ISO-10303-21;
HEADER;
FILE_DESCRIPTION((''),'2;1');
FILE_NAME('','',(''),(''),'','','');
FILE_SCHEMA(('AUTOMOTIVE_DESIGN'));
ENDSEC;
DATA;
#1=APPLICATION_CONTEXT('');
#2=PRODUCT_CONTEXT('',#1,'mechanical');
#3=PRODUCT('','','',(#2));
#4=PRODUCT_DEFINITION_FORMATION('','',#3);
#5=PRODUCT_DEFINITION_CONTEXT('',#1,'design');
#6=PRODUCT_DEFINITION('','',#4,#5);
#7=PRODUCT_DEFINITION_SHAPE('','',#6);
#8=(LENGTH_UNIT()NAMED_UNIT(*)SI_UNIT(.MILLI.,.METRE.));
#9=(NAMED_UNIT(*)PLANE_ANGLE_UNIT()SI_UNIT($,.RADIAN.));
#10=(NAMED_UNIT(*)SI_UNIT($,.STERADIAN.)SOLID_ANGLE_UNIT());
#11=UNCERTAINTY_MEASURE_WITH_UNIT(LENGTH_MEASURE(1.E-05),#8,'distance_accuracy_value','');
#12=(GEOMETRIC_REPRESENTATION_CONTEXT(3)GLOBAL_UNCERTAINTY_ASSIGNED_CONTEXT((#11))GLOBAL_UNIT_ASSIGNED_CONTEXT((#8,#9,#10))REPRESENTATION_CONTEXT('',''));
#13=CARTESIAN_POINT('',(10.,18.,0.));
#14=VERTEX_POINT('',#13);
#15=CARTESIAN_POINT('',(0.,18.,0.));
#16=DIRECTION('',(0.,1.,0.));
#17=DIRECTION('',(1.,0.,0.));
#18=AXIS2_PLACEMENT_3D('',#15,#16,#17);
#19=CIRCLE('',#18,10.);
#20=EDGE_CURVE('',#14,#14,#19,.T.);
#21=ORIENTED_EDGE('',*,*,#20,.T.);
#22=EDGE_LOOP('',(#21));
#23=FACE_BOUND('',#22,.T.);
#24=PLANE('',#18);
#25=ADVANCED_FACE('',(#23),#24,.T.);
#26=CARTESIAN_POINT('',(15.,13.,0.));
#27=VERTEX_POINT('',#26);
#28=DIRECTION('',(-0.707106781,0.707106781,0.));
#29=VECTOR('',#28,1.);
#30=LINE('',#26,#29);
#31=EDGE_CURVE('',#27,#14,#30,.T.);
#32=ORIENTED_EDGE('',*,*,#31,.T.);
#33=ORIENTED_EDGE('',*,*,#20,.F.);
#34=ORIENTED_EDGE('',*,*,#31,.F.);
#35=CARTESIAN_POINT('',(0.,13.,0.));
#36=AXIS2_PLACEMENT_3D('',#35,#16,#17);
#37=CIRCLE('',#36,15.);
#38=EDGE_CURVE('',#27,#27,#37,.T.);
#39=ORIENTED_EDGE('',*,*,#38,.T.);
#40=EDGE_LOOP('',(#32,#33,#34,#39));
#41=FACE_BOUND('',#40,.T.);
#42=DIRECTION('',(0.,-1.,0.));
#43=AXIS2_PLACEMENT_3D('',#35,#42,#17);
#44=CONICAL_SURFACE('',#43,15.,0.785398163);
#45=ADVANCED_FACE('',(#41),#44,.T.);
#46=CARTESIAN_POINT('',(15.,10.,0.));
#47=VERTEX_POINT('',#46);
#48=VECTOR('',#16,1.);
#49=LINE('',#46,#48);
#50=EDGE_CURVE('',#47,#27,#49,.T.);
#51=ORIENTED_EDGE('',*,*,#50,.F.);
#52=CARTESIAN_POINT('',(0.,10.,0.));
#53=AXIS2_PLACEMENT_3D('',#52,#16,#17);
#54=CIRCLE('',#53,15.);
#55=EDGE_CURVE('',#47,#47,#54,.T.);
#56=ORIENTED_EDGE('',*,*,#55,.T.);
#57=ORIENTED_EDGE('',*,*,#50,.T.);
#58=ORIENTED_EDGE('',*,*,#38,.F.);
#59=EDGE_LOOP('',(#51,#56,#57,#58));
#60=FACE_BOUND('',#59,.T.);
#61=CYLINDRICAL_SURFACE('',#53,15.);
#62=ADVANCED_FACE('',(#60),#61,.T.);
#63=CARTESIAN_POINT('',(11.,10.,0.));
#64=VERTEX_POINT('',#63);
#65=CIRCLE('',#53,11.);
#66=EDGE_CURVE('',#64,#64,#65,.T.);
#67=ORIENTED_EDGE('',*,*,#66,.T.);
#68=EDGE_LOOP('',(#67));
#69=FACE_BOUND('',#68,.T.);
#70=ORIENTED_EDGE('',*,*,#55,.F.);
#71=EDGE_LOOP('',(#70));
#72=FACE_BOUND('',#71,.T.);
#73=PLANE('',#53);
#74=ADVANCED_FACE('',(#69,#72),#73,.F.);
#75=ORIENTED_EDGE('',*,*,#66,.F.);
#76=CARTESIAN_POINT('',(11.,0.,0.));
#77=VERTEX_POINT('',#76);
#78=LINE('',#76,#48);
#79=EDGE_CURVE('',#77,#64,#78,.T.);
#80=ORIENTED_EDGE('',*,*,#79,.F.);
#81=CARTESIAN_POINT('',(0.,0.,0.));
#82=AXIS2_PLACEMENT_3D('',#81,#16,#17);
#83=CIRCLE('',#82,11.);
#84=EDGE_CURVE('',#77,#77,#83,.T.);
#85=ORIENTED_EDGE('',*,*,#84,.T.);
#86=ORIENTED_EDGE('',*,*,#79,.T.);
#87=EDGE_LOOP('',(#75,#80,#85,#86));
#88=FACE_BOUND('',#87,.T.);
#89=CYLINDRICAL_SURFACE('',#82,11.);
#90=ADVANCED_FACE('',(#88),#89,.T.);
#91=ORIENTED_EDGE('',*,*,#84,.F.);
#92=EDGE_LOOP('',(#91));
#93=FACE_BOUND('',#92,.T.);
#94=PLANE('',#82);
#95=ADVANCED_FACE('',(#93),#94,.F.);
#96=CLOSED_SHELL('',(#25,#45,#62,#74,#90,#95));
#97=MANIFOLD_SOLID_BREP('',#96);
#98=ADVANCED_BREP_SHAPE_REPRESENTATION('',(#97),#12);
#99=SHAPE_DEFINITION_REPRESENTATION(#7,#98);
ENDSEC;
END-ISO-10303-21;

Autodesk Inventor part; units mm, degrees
ref_plane "YZ Plane" through (0, 0, 0) normal (1, 0, 0) x (0, 1, 0)
ref_plane "XZ Plane" through (0, 0, 0) normal (0, 1, 0) x (-1, 0, 0)
ref_plane "XY Plane" through (0, 0, 0) normal (0, 0, 1) x (1, 0, 0)
sketch "Sketch1" plane through (0, 0, 0) normal (0, 0, 1) x (1, 0, 0)
  line L0 (0, 0) -> (0, 23.6158)
  line L1 (0, 0) -> (11, 0)
  line L2 (11, 0) -> (11, 10)
  line L3 (11, 10) -> (15, 10)
  line L4 (15, 10) -> (15, 13)
  line L5 (15, 13) -> (10, 18)
  line L6 (10, 18) -> (0, 18)
  dimension "d0" = 45
  dimension "d1" = 22
  dimension "d2" = 30
  dimension "d3" = 10
  dimension "d4" = 3
  dimension "d5" = 5
revolve "Revolution1" add sketch "Sketch1" angle 360 about axis through (0, 0, 0) along (0, 1, 0)
properties part number "E-Stop Dummy" material "ABS Plastic"
